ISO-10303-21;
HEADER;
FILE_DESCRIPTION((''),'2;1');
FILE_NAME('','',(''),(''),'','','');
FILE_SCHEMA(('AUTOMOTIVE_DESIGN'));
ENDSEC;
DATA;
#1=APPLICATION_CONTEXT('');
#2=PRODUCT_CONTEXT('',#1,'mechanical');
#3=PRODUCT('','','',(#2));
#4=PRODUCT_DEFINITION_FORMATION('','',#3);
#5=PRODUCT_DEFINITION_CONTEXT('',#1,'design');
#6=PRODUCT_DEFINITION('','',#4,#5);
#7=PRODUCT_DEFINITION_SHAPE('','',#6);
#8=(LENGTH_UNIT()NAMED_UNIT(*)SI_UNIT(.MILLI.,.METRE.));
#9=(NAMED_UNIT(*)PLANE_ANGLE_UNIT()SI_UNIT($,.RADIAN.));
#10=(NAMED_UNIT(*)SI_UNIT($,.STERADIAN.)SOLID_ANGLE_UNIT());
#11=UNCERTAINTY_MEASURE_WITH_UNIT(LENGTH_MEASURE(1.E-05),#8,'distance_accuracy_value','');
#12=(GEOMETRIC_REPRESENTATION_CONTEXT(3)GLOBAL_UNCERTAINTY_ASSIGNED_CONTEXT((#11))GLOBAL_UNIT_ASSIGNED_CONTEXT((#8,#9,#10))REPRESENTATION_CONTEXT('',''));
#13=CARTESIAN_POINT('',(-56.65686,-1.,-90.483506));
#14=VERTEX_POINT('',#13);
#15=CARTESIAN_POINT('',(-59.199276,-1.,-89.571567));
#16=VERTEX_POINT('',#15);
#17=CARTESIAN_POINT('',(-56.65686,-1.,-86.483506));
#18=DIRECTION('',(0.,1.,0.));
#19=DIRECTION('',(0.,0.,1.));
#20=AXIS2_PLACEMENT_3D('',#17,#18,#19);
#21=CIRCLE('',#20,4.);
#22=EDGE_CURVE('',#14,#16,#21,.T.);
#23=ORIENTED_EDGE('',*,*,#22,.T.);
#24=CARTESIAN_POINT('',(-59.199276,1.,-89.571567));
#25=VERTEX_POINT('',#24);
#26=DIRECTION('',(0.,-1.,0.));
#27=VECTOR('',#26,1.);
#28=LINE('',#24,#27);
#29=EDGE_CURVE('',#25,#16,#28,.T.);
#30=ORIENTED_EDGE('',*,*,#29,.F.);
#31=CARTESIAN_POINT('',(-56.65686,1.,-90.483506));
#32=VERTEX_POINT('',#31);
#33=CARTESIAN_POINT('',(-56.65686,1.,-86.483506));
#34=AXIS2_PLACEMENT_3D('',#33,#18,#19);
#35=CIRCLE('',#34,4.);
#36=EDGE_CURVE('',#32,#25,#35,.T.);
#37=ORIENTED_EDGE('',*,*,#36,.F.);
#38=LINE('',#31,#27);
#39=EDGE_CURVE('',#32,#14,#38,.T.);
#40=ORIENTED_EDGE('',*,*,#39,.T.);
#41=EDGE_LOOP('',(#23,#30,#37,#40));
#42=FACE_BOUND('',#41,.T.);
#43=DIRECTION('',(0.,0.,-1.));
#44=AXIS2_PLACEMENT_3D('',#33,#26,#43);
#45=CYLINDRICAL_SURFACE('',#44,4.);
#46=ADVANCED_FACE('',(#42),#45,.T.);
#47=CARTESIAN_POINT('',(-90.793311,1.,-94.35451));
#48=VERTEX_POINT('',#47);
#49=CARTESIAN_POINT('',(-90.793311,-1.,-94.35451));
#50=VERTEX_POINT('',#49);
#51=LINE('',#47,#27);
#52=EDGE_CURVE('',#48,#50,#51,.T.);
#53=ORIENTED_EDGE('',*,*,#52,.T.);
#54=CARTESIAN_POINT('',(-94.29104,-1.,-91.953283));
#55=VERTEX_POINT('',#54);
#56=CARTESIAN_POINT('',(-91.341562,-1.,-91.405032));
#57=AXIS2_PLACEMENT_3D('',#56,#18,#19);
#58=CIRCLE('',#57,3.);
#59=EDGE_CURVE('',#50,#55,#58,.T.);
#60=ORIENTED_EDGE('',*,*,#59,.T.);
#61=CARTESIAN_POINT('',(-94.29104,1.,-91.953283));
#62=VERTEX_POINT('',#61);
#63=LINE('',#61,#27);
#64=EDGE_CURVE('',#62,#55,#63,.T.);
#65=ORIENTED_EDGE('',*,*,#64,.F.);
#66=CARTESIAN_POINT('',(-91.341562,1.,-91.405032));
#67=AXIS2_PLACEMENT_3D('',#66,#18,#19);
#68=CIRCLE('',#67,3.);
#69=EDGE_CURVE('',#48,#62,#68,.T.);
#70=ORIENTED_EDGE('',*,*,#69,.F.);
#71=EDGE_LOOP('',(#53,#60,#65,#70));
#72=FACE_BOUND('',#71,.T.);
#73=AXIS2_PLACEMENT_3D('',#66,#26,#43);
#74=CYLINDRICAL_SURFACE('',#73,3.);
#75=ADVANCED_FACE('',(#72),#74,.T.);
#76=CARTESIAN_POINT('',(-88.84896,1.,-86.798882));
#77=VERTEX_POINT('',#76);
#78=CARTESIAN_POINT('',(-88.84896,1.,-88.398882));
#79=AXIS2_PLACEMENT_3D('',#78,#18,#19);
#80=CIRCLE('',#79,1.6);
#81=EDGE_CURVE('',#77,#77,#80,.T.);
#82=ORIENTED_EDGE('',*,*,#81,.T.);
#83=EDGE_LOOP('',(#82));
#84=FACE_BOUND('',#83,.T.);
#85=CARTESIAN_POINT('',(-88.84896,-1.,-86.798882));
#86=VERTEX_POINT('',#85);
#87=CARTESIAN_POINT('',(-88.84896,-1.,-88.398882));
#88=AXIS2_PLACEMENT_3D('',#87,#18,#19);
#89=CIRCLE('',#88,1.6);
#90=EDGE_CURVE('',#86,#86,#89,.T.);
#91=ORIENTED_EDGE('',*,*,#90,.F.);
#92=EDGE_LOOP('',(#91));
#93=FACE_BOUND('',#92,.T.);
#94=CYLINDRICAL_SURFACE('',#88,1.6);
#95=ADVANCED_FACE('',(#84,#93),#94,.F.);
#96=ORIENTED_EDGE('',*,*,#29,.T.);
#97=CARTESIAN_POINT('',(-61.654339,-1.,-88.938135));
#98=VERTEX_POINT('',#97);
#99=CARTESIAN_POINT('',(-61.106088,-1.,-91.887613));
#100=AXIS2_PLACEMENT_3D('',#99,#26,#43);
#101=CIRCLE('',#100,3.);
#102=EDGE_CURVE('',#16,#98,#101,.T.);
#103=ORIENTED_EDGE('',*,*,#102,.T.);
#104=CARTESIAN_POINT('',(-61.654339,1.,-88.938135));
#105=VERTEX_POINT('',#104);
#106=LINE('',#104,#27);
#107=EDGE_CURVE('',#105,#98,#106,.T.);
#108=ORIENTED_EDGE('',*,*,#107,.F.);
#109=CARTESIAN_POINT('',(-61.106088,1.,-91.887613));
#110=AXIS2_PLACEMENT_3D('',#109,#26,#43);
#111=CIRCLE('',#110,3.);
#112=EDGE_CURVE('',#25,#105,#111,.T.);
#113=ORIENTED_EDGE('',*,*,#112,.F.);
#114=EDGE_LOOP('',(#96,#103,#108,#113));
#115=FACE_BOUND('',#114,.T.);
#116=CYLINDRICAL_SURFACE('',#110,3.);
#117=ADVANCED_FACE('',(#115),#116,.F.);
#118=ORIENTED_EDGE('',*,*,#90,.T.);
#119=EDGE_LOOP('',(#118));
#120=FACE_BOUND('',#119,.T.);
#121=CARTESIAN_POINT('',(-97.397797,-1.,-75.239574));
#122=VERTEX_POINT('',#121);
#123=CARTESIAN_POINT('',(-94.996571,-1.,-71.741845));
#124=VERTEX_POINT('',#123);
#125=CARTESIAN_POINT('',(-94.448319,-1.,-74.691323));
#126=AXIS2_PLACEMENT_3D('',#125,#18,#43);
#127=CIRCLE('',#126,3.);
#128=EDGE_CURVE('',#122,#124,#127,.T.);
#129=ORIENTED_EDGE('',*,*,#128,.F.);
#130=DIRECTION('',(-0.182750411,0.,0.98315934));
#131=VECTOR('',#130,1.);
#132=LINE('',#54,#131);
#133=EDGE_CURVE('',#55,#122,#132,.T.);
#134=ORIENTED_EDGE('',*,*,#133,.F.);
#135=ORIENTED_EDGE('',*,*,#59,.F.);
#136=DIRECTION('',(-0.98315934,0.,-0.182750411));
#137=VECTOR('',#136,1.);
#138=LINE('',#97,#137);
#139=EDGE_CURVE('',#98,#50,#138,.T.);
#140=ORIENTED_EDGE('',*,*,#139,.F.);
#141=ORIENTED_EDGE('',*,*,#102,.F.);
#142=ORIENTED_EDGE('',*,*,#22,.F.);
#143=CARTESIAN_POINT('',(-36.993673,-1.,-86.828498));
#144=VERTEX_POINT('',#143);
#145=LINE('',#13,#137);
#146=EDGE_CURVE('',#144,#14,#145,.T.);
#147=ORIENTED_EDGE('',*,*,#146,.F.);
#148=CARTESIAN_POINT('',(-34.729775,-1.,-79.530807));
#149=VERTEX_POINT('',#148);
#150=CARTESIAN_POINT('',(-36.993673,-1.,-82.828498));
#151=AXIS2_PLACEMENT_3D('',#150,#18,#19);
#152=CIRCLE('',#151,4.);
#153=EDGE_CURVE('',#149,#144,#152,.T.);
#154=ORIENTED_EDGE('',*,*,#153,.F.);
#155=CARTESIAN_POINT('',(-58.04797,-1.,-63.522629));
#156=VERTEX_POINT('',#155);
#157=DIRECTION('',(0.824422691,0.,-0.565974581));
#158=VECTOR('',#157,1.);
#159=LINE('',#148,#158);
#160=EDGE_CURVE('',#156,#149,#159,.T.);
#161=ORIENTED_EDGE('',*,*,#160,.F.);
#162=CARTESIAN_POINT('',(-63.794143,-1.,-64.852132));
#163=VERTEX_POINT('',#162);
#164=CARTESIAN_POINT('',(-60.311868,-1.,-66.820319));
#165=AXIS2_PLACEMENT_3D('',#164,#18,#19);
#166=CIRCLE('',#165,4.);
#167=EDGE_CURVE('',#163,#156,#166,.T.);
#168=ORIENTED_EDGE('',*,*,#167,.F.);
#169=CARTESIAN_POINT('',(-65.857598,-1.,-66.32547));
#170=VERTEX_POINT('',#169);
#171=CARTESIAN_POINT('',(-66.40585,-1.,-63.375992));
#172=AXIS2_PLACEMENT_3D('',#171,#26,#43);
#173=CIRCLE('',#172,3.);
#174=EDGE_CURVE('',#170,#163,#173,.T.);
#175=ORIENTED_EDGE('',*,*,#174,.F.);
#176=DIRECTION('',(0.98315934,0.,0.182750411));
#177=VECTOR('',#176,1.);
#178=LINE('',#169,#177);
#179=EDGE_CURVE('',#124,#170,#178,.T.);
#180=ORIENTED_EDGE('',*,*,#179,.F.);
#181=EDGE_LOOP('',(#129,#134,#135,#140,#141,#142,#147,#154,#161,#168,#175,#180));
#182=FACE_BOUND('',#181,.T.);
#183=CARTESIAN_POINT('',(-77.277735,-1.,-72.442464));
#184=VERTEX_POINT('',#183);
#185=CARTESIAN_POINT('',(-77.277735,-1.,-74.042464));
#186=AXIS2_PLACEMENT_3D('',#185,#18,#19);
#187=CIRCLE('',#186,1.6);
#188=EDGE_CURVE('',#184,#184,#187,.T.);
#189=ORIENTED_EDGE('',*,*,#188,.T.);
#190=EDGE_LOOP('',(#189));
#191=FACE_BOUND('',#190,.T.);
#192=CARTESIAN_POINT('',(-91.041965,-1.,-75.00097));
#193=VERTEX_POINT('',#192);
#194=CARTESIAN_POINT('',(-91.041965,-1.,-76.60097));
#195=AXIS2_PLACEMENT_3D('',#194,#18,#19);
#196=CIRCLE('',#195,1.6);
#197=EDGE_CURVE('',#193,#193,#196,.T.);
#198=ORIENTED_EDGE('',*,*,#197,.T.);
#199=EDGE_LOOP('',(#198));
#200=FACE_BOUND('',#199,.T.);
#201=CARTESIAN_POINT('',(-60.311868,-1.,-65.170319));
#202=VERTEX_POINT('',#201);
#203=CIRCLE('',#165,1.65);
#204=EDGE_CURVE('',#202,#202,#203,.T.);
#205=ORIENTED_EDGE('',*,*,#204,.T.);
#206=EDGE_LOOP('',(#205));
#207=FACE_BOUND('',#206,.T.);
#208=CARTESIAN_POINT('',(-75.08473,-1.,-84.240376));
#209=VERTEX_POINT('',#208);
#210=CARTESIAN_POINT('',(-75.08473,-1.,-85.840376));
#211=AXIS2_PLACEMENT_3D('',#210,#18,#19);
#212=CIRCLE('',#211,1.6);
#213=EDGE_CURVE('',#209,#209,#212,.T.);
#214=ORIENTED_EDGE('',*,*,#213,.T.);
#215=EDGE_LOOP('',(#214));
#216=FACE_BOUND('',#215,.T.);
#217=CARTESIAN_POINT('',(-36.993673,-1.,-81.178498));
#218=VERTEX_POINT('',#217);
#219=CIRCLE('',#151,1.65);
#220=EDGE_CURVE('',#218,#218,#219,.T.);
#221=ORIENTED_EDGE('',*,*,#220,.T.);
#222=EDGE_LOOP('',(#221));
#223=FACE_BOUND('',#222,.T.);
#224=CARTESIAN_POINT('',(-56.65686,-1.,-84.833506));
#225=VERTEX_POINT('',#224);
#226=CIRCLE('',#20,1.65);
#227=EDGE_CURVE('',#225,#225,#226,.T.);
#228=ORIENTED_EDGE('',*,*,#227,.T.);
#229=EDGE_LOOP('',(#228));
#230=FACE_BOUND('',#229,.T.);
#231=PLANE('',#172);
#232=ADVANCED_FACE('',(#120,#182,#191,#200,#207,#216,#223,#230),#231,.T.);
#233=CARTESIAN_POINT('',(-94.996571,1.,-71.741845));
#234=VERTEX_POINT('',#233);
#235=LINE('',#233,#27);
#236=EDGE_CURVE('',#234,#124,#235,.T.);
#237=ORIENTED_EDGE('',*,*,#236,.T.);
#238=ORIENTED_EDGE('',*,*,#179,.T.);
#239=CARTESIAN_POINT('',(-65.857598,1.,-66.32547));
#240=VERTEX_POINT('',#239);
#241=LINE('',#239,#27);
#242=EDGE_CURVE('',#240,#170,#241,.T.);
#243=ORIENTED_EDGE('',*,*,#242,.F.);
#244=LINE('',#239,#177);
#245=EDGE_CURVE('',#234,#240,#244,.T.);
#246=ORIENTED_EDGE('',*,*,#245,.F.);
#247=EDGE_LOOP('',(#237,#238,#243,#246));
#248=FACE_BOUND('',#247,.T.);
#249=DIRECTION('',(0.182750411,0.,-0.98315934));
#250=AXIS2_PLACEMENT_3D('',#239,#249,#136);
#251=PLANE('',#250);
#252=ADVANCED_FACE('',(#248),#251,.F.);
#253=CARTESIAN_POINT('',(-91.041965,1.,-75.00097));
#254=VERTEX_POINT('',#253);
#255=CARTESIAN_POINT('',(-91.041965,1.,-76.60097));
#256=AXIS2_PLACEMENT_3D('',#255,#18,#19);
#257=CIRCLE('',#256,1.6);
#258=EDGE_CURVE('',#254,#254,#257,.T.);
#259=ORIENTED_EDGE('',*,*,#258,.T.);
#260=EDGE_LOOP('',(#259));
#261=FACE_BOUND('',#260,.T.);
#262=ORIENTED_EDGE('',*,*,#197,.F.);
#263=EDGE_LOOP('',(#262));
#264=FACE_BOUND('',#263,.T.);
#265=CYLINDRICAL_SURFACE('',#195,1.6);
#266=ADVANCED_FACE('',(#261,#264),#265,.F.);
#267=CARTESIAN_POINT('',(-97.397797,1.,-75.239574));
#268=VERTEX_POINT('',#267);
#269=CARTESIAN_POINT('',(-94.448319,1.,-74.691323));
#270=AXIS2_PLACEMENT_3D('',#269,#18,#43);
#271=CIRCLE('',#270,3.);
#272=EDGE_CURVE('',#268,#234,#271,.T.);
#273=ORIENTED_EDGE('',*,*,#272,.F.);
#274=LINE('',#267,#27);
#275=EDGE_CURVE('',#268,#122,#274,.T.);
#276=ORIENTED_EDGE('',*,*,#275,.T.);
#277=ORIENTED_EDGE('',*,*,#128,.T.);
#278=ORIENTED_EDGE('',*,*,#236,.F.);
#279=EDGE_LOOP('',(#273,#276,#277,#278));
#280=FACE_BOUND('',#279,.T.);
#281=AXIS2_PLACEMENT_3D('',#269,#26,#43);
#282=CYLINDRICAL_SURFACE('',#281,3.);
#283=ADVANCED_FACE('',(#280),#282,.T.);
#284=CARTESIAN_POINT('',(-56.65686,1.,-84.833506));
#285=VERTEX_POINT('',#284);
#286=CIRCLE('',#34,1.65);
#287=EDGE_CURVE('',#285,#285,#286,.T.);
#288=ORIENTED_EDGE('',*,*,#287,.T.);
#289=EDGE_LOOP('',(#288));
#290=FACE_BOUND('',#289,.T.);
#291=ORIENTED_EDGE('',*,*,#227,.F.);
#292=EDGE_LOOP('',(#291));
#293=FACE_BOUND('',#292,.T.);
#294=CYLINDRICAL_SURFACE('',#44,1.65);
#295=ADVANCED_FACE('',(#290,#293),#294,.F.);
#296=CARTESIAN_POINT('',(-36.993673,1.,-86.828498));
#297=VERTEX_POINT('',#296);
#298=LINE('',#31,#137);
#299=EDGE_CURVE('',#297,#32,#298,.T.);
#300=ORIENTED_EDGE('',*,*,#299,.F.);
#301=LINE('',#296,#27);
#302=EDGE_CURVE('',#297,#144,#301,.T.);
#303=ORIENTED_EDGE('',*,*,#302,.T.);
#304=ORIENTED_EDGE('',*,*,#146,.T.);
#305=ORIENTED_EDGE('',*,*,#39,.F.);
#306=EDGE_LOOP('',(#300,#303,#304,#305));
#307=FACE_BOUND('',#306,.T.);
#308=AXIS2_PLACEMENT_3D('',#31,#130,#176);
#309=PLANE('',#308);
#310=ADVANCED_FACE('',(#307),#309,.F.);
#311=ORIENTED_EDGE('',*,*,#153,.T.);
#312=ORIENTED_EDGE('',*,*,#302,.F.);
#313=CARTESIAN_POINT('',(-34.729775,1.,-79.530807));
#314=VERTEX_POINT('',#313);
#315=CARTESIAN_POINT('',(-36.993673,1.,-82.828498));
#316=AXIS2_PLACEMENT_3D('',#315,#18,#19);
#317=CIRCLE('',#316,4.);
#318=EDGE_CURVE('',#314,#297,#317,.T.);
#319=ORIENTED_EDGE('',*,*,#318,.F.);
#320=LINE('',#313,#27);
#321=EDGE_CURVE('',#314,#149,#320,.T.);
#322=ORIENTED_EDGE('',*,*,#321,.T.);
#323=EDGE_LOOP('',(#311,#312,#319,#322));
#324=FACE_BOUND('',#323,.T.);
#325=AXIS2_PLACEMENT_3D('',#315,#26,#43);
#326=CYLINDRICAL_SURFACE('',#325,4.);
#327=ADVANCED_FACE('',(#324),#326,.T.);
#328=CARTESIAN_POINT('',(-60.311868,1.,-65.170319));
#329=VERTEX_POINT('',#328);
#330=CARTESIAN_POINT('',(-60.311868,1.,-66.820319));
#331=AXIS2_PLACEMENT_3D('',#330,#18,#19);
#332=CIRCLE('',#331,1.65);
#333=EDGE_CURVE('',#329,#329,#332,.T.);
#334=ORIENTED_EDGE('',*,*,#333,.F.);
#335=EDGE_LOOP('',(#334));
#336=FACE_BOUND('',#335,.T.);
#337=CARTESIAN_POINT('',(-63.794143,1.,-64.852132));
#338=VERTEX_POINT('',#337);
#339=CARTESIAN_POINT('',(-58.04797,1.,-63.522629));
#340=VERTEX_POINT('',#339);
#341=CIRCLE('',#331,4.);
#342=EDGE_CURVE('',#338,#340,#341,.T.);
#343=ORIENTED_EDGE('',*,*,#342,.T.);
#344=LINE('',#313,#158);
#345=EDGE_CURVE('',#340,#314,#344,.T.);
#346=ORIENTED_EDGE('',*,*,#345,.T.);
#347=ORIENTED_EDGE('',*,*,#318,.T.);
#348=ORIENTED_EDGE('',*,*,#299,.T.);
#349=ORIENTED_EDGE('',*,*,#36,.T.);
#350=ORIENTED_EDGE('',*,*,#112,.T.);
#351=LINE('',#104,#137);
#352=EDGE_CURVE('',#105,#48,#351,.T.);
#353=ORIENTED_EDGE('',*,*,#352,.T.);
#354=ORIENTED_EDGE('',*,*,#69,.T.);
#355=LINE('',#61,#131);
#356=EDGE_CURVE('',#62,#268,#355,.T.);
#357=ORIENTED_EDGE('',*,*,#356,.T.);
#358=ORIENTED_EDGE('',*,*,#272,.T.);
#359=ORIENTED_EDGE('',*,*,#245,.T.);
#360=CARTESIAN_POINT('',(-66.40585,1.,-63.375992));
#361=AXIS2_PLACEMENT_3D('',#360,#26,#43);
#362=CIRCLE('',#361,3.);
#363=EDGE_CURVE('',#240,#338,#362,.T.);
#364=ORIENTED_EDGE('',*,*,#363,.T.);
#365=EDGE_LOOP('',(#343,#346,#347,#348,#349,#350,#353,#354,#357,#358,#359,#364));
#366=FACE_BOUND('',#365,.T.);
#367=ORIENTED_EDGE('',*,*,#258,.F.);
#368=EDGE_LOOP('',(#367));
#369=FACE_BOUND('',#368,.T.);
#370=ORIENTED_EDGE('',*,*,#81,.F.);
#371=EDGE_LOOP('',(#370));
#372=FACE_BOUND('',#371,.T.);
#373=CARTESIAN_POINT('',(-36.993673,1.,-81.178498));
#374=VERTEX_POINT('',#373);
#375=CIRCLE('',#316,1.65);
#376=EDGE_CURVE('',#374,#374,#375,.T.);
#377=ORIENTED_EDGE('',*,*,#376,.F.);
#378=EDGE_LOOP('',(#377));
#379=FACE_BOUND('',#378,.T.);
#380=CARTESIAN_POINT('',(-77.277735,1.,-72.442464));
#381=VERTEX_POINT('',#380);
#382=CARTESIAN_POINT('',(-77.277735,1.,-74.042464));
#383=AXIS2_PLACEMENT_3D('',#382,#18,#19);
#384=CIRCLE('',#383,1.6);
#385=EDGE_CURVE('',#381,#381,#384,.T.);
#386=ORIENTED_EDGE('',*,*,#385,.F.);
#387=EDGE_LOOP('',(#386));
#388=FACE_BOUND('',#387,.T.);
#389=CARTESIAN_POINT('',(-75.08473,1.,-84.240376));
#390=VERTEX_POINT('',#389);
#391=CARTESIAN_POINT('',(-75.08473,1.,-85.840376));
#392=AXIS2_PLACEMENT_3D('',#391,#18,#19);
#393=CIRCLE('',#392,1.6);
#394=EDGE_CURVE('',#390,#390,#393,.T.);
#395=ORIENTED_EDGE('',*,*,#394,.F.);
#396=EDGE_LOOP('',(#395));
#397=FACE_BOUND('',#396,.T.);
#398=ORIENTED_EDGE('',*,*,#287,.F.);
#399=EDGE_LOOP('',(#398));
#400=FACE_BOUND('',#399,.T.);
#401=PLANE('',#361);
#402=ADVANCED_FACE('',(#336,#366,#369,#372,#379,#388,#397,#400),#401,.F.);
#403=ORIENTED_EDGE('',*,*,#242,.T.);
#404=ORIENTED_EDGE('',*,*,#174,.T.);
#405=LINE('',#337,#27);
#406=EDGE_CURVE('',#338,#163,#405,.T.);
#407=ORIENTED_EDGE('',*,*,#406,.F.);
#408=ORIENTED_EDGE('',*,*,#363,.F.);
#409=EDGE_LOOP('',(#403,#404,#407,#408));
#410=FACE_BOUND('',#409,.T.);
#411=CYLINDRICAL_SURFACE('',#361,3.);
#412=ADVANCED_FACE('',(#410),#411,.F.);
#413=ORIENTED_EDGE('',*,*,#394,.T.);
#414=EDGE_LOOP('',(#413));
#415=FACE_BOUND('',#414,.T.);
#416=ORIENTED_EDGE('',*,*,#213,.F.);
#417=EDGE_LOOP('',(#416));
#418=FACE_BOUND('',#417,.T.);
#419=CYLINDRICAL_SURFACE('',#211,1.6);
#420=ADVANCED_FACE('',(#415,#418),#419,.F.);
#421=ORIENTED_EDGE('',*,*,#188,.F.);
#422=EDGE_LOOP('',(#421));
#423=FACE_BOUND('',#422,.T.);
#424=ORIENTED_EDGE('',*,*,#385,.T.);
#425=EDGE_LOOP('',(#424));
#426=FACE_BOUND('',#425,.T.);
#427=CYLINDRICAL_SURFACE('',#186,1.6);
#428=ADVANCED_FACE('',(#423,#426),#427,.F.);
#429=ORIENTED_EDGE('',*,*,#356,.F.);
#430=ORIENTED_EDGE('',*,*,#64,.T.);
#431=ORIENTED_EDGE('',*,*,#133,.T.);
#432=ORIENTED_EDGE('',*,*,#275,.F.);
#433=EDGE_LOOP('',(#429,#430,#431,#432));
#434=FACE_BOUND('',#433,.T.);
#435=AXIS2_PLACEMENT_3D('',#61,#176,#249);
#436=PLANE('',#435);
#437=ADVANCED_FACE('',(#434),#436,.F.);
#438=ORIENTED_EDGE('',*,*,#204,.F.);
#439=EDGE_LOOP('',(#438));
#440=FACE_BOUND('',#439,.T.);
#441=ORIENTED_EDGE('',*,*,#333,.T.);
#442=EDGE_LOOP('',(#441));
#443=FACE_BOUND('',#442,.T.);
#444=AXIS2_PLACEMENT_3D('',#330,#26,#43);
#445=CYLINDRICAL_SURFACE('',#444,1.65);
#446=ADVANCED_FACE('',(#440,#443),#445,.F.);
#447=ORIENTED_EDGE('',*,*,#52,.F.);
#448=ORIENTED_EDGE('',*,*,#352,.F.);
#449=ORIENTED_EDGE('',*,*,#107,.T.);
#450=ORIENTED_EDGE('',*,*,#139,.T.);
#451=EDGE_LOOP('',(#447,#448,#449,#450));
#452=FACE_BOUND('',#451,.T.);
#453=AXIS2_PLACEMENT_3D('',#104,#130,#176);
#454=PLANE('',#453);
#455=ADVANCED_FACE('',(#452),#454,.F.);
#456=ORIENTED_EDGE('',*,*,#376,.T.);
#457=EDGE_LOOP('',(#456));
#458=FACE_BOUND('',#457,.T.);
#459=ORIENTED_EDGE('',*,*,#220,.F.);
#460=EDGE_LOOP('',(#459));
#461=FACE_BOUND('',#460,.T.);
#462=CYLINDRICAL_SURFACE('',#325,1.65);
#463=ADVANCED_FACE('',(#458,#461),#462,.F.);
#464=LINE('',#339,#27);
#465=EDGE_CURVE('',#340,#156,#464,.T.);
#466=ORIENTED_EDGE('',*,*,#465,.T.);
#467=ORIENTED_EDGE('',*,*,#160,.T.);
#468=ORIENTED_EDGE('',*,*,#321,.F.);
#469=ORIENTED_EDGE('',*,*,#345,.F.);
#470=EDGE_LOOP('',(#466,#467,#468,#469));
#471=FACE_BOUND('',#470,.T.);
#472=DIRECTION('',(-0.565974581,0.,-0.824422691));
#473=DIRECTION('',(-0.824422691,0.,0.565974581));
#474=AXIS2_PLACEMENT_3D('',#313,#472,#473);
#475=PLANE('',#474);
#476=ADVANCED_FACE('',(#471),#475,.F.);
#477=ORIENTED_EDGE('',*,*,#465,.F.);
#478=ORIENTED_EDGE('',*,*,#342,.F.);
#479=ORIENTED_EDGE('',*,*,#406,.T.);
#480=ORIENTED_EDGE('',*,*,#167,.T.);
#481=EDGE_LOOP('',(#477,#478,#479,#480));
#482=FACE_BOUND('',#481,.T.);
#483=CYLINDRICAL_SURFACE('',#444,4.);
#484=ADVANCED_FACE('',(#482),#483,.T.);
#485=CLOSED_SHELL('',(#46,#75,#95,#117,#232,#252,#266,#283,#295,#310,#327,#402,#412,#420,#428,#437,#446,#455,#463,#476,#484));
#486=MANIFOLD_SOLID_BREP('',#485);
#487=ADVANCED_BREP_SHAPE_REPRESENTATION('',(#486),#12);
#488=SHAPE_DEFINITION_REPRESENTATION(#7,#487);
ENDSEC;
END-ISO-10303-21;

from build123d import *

# Parameters (mm, degrees)
SKETCH1_R           = 1.650000007
BOSS_EXTRUDE1_DEPTH = 1
SKETCH7_R           = 1.6
CUT_EXTRUDE2_DEPTH  = 2


with BuildPart() as part:
    # Sketch1 → Boss-Extrude1 (new, symmetric)
    with BuildSketch(Plane(origin=(0, 0, 0), x_dir=(1, 0, 0), z_dir=(0, 1, 0))):
        with BuildLine():
            Line((-56.656859897, 90.483506167), (-36.993673105, 86.828497938))
            ThreePointArc((-36.993673105, 86.828497938), (-33.173282872, 84.013663947), (-34.729774781, 79.530807173))
            Line((-34.729774781, 79.530807173), (-58.047969803, 63.522628609))
            ThreePointArc((-58.047969803, 63.522628609), (-61.213536363, 62.923269927), (-63.79414326, 64.852132418))
            ThreePointArc((-63.79414326, 64.852132418), (-64.662572796, 65.817505246), (-65.857598376, 66.32547022))
            Line((-65.857598376, 66.32547022), (-94.996570641, 71.741844715))
            ThreePointArc((-94.996570641, 71.741844715), (-96.92158748, 72.993398991), (-97.397797425, 75.239573968))
            Line((-97.397797425, 75.239573968), (-94.29104043, 91.953282742))
            ThreePointArc((-94.29104043, 91.953282742), (-93.039486154, 93.878299581), (-90.793311177, 94.354509526))
            Line((-90.793311177, 94.354509526), (-61.654338999, 88.938135048))
            ThreePointArc((-61.654338999, 88.938135048), (-60.356600681, 88.982743171), (-59.199275822, 89.571567253))
            ThreePointArc((-59.199275822, 89.571567253), (-58.007370108, 90.248625312), (-56.656859897, 90.483506167))
        make_face()
        with Locations(Location((-56.656859897, 86.483506167, 0), (0, 0, 270))):
            Circle(SKETCH1_R, mode=Mode.SUBTRACT)
        with Locations(Location((-36.993673105, 82.828497938, 0), (0, 0, 270))):
            Circle(SKETCH1_R, mode=Mode.SUBTRACT)
        with Locations(Location((-60.311868127, 66.820319374, 0), (0, 0, 270))):
            Circle(SKETCH1_R, mode=Mode.SUBTRACT)
    extrude(amount=BOSS_EXTRUDE1_DEPTH, both=True)

    # Sketch7 → Cut-Extrude2 (cut)
    with BuildSketch(Plane(origin=(0, 1, 0), x_dir=(1, 0, 0), z_dir=(0, 1, 0))):
        with Locations(Location((-88.848960421, 88.398881924, 0), (0, 0, 270))):
            Circle(SKETCH7_R)
        with Locations(Location((-91.041965359, 76.600969848, 0), (0, 0, 270))):
            Circle(SKETCH7_R)
        with Locations(Location((-75.084729666, 85.840376163, 0), (0, 0, 270))):
            Circle(SKETCH7_R)
        with Locations(Location((-77.277734604, 74.042464088, 0), (0, 0, 270))):
            Circle(SKETCH7_R)
    extrude(amount=-CUT_EXTRUDE2_DEPTH, mode=Mode.SUBTRACT)


solid = part.part
